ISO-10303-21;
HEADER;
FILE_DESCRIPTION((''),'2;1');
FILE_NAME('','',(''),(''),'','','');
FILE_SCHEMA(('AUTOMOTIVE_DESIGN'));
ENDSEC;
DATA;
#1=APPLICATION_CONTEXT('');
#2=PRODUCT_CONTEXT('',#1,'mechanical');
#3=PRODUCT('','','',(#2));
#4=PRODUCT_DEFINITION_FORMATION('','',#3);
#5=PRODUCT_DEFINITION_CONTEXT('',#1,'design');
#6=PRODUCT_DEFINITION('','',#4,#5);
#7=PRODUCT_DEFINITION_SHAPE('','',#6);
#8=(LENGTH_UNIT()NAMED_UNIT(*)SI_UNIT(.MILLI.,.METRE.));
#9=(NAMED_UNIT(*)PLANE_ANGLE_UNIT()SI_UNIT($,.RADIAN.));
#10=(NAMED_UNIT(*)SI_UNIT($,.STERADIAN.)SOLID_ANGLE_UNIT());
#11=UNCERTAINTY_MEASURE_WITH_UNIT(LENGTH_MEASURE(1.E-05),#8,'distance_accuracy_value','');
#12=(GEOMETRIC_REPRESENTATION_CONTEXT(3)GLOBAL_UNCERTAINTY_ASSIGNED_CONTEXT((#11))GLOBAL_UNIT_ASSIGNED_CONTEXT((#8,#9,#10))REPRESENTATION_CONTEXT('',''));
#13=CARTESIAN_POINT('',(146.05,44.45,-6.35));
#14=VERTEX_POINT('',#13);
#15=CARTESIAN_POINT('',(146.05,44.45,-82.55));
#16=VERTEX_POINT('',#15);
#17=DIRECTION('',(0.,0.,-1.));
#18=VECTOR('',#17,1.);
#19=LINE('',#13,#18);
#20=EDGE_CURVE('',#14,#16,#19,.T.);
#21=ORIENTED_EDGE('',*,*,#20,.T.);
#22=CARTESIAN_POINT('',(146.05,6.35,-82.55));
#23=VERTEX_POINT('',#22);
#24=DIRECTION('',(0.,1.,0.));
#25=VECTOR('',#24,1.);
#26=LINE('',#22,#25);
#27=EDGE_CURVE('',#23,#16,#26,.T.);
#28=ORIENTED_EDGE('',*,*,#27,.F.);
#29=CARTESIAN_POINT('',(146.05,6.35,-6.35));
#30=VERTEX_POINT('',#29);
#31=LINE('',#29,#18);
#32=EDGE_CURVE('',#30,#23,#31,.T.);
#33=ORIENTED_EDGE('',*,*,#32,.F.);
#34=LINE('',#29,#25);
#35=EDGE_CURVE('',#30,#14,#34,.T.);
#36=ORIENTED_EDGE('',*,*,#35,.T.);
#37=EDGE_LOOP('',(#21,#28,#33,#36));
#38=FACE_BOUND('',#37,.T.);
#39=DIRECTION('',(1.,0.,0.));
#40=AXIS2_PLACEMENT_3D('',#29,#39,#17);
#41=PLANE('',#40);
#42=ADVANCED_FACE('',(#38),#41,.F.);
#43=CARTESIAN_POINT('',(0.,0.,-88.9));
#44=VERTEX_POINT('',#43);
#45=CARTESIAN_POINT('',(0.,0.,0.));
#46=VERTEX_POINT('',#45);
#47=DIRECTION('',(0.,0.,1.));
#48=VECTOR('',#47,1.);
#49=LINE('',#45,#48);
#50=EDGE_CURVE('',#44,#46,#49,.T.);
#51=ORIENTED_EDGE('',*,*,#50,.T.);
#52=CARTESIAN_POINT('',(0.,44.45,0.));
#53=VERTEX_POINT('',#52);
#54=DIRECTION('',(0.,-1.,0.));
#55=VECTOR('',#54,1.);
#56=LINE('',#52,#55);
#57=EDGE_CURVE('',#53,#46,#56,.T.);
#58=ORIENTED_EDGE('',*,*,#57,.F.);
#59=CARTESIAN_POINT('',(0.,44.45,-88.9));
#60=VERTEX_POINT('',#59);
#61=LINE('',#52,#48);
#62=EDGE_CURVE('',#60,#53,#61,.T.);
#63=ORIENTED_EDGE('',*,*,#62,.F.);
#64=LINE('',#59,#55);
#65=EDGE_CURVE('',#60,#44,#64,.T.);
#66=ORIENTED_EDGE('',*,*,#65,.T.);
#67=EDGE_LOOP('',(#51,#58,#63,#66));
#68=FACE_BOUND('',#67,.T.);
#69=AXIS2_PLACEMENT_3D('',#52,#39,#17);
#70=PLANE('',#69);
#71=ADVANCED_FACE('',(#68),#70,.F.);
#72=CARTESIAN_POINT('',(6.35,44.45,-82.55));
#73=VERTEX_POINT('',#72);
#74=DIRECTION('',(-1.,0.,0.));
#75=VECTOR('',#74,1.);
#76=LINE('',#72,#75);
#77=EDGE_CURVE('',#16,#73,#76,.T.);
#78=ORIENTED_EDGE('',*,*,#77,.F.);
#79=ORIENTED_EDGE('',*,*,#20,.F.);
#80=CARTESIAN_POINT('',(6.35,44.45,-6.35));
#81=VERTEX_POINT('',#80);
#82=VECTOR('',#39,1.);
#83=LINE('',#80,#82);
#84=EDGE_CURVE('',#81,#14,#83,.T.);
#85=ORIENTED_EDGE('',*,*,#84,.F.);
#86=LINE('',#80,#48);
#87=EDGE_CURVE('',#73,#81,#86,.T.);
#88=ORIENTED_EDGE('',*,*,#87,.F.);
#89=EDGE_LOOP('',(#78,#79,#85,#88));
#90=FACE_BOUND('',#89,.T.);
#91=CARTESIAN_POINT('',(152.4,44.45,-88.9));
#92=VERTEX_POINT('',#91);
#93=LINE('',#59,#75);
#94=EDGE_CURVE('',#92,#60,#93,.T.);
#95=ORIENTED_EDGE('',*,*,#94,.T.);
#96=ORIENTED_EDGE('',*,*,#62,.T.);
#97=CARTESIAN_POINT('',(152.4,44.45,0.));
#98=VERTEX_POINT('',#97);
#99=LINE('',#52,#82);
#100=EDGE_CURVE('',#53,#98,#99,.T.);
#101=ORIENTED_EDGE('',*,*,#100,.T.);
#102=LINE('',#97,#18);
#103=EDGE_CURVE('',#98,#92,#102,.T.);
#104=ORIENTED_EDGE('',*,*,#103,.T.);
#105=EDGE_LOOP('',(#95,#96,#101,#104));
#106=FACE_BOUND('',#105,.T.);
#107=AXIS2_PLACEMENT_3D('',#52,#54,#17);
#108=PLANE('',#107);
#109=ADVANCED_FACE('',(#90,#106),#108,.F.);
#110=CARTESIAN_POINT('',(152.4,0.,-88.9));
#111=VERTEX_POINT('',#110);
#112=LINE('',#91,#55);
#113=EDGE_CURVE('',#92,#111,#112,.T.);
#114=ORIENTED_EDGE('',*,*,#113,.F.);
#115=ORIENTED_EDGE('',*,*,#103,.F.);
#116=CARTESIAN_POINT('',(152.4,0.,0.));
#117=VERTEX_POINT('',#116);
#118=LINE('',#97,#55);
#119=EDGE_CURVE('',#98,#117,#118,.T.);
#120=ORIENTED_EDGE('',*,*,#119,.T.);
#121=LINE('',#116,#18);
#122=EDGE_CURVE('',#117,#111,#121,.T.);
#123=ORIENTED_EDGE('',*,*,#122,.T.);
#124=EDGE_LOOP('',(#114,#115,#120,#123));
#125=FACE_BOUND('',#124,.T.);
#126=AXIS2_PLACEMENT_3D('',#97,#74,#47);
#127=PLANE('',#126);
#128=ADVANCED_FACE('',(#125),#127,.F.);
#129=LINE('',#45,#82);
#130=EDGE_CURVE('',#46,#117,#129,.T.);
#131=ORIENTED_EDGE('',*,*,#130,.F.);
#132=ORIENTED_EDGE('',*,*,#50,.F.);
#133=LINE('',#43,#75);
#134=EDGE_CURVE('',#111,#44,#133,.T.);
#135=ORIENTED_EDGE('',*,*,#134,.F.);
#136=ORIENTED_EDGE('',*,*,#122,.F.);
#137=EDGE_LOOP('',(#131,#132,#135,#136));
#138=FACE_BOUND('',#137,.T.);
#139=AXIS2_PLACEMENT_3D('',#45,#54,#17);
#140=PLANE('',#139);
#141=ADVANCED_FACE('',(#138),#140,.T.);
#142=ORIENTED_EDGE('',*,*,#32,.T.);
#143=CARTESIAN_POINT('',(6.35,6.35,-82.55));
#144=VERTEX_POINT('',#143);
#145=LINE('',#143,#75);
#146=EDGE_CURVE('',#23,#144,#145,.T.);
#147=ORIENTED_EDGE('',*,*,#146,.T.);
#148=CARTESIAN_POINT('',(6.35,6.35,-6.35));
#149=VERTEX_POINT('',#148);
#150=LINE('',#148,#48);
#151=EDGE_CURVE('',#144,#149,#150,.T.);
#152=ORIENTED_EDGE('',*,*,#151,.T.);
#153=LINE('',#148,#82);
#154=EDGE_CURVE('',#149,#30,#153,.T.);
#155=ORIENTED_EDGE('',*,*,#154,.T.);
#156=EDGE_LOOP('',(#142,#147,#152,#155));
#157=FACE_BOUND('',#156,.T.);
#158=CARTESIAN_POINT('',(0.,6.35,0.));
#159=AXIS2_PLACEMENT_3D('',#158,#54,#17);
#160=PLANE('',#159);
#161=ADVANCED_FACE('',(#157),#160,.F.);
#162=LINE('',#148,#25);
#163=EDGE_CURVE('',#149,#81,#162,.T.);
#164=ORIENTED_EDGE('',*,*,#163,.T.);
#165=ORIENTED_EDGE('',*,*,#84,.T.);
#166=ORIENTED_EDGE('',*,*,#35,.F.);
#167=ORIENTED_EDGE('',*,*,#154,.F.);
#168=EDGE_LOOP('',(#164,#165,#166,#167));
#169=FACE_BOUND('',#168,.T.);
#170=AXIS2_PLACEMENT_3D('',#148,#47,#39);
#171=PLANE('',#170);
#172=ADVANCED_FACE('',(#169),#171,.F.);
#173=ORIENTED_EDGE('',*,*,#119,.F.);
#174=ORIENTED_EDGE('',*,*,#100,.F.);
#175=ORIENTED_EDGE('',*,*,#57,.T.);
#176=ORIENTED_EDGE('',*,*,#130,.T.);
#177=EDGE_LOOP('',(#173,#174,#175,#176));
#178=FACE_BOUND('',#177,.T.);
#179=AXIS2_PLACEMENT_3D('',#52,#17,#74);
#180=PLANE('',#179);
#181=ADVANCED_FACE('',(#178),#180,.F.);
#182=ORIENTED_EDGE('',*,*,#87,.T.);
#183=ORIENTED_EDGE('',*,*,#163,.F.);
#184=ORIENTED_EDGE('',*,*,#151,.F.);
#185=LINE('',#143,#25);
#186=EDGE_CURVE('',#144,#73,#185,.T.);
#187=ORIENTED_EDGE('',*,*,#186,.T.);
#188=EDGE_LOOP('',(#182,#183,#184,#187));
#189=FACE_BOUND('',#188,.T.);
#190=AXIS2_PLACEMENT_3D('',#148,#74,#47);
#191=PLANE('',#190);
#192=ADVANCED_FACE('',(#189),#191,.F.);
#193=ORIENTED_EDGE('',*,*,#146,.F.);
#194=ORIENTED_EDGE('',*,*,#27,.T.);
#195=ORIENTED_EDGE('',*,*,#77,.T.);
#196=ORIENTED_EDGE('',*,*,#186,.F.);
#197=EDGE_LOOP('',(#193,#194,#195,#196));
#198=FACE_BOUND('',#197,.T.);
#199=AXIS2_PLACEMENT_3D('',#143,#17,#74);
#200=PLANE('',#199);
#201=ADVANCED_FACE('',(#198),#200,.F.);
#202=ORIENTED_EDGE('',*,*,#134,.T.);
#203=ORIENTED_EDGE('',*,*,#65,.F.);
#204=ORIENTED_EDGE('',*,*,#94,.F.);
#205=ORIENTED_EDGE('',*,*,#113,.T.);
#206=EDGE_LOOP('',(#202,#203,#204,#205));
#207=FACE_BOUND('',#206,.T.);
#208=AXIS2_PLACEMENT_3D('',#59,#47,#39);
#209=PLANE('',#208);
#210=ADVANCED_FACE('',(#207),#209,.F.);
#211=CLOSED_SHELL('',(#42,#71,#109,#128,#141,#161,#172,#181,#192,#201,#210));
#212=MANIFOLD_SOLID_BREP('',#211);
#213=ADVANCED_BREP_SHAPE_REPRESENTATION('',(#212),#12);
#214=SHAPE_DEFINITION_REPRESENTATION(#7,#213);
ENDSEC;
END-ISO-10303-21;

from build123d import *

# Parameters (mm, degrees)
SKETCH4_W           = 152.4
SKETCH4_H           = 88.9
BOSS_EXTRUDE2_DEPTH = 44.45
SKETCH6_W           = 139.7
SKETCH6_H           = 76.2
CUT_EXTRUDE1_DEPTH  = 38.1


with BuildPart() as part:
    # Sketch4 → Boss-Extrude2 (new body)
    with BuildSketch(Plane(origin=(0, 0, 0), x_dir=(1, 0, 0), z_dir=(0, 1, 0))):
        with Locations((76.2, 44.45)):
            Rectangle(SKETCH4_W, SKETCH4_H)
    extrude(amount=BOSS_EXTRUDE2_DEPTH)

    # Sketch6 → Cut-Extrude1 (cut)
    with BuildSketch(Plane(origin=(0, 44.45, 0), x_dir=(1, 0, 0), z_dir=(0, 1, 0))):
        with Locations((76.2, 44.45)):
            Rectangle(SKETCH6_W, SKETCH6_H)
    extrude(amount=-CUT_EXTRUDE1_DEPTH, mode=Mode.SUBTRACT)


solid = part.part
